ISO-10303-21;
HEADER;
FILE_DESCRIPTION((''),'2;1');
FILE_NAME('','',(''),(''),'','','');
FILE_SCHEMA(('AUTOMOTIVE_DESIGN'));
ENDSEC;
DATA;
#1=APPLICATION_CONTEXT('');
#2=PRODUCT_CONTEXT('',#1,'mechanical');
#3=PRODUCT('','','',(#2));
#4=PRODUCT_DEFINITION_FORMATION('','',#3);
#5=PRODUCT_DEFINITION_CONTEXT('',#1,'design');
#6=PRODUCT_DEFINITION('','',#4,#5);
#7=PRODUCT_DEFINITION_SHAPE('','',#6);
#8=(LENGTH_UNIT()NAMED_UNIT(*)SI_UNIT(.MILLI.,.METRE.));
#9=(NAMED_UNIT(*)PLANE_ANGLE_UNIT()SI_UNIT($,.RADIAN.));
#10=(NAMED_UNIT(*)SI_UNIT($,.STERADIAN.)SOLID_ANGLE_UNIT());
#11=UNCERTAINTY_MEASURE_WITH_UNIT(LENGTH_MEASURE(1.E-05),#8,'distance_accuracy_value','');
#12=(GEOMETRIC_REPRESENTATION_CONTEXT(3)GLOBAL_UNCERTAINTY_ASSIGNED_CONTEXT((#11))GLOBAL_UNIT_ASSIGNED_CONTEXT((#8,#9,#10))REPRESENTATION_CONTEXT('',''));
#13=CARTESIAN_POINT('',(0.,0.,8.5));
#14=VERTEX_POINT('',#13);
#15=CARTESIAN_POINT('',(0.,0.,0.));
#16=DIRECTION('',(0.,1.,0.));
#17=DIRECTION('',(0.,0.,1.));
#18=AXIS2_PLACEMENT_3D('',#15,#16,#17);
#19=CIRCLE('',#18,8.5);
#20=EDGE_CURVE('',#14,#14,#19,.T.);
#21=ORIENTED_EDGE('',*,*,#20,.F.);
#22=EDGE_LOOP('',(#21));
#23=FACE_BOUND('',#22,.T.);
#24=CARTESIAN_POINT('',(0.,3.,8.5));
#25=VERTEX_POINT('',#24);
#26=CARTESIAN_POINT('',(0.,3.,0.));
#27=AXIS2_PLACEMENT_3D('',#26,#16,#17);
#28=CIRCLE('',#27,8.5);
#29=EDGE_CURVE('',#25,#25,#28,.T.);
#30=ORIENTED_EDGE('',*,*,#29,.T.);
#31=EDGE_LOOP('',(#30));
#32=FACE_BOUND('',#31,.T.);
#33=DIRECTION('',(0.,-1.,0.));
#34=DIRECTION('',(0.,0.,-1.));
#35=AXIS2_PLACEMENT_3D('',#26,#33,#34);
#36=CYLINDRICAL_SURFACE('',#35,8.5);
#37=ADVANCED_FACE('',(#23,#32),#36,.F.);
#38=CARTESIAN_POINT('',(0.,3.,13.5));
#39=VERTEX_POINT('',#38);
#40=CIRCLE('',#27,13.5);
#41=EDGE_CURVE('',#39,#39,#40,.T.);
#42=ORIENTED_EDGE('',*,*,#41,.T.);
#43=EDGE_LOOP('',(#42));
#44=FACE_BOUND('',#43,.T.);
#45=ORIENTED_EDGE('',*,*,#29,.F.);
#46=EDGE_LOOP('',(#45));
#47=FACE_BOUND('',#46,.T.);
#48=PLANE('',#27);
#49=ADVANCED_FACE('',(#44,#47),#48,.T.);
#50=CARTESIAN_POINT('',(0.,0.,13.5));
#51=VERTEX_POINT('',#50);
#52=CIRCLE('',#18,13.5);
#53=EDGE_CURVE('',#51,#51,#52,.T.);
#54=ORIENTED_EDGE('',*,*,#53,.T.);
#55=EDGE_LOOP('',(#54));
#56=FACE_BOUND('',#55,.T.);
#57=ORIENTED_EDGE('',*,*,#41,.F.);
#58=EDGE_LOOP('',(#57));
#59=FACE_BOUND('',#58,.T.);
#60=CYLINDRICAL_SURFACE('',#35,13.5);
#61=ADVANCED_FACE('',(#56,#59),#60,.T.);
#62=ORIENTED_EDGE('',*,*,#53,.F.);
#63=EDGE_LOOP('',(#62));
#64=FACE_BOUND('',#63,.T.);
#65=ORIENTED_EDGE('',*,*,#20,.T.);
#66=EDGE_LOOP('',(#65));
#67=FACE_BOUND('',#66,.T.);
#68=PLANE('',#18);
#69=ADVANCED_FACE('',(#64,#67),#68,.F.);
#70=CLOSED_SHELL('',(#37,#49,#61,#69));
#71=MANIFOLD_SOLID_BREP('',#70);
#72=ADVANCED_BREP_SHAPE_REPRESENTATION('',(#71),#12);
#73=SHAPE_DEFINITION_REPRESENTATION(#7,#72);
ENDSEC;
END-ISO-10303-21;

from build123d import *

# Parameters (mm, degrees)
SKETCH1_R           = 13.5
SKETCH1_R_2         = 8.5
BOSS_EXTRUDE1_DEPTH = 3


with BuildPart() as part:
    # Sketch1 → Boss-Extrude1 (new body)
    with BuildSketch(Plane(origin=(0, 0, 0), x_dir=(1, 0, 0), z_dir=(0, 1, 0))):
        Circle(SKETCH1_R)
        Circle(SKETCH1_R_2, mode=Mode.SUBTRACT)
    extrude(amount=BOSS_EXTRUDE1_DEPTH)


solid = part.part
